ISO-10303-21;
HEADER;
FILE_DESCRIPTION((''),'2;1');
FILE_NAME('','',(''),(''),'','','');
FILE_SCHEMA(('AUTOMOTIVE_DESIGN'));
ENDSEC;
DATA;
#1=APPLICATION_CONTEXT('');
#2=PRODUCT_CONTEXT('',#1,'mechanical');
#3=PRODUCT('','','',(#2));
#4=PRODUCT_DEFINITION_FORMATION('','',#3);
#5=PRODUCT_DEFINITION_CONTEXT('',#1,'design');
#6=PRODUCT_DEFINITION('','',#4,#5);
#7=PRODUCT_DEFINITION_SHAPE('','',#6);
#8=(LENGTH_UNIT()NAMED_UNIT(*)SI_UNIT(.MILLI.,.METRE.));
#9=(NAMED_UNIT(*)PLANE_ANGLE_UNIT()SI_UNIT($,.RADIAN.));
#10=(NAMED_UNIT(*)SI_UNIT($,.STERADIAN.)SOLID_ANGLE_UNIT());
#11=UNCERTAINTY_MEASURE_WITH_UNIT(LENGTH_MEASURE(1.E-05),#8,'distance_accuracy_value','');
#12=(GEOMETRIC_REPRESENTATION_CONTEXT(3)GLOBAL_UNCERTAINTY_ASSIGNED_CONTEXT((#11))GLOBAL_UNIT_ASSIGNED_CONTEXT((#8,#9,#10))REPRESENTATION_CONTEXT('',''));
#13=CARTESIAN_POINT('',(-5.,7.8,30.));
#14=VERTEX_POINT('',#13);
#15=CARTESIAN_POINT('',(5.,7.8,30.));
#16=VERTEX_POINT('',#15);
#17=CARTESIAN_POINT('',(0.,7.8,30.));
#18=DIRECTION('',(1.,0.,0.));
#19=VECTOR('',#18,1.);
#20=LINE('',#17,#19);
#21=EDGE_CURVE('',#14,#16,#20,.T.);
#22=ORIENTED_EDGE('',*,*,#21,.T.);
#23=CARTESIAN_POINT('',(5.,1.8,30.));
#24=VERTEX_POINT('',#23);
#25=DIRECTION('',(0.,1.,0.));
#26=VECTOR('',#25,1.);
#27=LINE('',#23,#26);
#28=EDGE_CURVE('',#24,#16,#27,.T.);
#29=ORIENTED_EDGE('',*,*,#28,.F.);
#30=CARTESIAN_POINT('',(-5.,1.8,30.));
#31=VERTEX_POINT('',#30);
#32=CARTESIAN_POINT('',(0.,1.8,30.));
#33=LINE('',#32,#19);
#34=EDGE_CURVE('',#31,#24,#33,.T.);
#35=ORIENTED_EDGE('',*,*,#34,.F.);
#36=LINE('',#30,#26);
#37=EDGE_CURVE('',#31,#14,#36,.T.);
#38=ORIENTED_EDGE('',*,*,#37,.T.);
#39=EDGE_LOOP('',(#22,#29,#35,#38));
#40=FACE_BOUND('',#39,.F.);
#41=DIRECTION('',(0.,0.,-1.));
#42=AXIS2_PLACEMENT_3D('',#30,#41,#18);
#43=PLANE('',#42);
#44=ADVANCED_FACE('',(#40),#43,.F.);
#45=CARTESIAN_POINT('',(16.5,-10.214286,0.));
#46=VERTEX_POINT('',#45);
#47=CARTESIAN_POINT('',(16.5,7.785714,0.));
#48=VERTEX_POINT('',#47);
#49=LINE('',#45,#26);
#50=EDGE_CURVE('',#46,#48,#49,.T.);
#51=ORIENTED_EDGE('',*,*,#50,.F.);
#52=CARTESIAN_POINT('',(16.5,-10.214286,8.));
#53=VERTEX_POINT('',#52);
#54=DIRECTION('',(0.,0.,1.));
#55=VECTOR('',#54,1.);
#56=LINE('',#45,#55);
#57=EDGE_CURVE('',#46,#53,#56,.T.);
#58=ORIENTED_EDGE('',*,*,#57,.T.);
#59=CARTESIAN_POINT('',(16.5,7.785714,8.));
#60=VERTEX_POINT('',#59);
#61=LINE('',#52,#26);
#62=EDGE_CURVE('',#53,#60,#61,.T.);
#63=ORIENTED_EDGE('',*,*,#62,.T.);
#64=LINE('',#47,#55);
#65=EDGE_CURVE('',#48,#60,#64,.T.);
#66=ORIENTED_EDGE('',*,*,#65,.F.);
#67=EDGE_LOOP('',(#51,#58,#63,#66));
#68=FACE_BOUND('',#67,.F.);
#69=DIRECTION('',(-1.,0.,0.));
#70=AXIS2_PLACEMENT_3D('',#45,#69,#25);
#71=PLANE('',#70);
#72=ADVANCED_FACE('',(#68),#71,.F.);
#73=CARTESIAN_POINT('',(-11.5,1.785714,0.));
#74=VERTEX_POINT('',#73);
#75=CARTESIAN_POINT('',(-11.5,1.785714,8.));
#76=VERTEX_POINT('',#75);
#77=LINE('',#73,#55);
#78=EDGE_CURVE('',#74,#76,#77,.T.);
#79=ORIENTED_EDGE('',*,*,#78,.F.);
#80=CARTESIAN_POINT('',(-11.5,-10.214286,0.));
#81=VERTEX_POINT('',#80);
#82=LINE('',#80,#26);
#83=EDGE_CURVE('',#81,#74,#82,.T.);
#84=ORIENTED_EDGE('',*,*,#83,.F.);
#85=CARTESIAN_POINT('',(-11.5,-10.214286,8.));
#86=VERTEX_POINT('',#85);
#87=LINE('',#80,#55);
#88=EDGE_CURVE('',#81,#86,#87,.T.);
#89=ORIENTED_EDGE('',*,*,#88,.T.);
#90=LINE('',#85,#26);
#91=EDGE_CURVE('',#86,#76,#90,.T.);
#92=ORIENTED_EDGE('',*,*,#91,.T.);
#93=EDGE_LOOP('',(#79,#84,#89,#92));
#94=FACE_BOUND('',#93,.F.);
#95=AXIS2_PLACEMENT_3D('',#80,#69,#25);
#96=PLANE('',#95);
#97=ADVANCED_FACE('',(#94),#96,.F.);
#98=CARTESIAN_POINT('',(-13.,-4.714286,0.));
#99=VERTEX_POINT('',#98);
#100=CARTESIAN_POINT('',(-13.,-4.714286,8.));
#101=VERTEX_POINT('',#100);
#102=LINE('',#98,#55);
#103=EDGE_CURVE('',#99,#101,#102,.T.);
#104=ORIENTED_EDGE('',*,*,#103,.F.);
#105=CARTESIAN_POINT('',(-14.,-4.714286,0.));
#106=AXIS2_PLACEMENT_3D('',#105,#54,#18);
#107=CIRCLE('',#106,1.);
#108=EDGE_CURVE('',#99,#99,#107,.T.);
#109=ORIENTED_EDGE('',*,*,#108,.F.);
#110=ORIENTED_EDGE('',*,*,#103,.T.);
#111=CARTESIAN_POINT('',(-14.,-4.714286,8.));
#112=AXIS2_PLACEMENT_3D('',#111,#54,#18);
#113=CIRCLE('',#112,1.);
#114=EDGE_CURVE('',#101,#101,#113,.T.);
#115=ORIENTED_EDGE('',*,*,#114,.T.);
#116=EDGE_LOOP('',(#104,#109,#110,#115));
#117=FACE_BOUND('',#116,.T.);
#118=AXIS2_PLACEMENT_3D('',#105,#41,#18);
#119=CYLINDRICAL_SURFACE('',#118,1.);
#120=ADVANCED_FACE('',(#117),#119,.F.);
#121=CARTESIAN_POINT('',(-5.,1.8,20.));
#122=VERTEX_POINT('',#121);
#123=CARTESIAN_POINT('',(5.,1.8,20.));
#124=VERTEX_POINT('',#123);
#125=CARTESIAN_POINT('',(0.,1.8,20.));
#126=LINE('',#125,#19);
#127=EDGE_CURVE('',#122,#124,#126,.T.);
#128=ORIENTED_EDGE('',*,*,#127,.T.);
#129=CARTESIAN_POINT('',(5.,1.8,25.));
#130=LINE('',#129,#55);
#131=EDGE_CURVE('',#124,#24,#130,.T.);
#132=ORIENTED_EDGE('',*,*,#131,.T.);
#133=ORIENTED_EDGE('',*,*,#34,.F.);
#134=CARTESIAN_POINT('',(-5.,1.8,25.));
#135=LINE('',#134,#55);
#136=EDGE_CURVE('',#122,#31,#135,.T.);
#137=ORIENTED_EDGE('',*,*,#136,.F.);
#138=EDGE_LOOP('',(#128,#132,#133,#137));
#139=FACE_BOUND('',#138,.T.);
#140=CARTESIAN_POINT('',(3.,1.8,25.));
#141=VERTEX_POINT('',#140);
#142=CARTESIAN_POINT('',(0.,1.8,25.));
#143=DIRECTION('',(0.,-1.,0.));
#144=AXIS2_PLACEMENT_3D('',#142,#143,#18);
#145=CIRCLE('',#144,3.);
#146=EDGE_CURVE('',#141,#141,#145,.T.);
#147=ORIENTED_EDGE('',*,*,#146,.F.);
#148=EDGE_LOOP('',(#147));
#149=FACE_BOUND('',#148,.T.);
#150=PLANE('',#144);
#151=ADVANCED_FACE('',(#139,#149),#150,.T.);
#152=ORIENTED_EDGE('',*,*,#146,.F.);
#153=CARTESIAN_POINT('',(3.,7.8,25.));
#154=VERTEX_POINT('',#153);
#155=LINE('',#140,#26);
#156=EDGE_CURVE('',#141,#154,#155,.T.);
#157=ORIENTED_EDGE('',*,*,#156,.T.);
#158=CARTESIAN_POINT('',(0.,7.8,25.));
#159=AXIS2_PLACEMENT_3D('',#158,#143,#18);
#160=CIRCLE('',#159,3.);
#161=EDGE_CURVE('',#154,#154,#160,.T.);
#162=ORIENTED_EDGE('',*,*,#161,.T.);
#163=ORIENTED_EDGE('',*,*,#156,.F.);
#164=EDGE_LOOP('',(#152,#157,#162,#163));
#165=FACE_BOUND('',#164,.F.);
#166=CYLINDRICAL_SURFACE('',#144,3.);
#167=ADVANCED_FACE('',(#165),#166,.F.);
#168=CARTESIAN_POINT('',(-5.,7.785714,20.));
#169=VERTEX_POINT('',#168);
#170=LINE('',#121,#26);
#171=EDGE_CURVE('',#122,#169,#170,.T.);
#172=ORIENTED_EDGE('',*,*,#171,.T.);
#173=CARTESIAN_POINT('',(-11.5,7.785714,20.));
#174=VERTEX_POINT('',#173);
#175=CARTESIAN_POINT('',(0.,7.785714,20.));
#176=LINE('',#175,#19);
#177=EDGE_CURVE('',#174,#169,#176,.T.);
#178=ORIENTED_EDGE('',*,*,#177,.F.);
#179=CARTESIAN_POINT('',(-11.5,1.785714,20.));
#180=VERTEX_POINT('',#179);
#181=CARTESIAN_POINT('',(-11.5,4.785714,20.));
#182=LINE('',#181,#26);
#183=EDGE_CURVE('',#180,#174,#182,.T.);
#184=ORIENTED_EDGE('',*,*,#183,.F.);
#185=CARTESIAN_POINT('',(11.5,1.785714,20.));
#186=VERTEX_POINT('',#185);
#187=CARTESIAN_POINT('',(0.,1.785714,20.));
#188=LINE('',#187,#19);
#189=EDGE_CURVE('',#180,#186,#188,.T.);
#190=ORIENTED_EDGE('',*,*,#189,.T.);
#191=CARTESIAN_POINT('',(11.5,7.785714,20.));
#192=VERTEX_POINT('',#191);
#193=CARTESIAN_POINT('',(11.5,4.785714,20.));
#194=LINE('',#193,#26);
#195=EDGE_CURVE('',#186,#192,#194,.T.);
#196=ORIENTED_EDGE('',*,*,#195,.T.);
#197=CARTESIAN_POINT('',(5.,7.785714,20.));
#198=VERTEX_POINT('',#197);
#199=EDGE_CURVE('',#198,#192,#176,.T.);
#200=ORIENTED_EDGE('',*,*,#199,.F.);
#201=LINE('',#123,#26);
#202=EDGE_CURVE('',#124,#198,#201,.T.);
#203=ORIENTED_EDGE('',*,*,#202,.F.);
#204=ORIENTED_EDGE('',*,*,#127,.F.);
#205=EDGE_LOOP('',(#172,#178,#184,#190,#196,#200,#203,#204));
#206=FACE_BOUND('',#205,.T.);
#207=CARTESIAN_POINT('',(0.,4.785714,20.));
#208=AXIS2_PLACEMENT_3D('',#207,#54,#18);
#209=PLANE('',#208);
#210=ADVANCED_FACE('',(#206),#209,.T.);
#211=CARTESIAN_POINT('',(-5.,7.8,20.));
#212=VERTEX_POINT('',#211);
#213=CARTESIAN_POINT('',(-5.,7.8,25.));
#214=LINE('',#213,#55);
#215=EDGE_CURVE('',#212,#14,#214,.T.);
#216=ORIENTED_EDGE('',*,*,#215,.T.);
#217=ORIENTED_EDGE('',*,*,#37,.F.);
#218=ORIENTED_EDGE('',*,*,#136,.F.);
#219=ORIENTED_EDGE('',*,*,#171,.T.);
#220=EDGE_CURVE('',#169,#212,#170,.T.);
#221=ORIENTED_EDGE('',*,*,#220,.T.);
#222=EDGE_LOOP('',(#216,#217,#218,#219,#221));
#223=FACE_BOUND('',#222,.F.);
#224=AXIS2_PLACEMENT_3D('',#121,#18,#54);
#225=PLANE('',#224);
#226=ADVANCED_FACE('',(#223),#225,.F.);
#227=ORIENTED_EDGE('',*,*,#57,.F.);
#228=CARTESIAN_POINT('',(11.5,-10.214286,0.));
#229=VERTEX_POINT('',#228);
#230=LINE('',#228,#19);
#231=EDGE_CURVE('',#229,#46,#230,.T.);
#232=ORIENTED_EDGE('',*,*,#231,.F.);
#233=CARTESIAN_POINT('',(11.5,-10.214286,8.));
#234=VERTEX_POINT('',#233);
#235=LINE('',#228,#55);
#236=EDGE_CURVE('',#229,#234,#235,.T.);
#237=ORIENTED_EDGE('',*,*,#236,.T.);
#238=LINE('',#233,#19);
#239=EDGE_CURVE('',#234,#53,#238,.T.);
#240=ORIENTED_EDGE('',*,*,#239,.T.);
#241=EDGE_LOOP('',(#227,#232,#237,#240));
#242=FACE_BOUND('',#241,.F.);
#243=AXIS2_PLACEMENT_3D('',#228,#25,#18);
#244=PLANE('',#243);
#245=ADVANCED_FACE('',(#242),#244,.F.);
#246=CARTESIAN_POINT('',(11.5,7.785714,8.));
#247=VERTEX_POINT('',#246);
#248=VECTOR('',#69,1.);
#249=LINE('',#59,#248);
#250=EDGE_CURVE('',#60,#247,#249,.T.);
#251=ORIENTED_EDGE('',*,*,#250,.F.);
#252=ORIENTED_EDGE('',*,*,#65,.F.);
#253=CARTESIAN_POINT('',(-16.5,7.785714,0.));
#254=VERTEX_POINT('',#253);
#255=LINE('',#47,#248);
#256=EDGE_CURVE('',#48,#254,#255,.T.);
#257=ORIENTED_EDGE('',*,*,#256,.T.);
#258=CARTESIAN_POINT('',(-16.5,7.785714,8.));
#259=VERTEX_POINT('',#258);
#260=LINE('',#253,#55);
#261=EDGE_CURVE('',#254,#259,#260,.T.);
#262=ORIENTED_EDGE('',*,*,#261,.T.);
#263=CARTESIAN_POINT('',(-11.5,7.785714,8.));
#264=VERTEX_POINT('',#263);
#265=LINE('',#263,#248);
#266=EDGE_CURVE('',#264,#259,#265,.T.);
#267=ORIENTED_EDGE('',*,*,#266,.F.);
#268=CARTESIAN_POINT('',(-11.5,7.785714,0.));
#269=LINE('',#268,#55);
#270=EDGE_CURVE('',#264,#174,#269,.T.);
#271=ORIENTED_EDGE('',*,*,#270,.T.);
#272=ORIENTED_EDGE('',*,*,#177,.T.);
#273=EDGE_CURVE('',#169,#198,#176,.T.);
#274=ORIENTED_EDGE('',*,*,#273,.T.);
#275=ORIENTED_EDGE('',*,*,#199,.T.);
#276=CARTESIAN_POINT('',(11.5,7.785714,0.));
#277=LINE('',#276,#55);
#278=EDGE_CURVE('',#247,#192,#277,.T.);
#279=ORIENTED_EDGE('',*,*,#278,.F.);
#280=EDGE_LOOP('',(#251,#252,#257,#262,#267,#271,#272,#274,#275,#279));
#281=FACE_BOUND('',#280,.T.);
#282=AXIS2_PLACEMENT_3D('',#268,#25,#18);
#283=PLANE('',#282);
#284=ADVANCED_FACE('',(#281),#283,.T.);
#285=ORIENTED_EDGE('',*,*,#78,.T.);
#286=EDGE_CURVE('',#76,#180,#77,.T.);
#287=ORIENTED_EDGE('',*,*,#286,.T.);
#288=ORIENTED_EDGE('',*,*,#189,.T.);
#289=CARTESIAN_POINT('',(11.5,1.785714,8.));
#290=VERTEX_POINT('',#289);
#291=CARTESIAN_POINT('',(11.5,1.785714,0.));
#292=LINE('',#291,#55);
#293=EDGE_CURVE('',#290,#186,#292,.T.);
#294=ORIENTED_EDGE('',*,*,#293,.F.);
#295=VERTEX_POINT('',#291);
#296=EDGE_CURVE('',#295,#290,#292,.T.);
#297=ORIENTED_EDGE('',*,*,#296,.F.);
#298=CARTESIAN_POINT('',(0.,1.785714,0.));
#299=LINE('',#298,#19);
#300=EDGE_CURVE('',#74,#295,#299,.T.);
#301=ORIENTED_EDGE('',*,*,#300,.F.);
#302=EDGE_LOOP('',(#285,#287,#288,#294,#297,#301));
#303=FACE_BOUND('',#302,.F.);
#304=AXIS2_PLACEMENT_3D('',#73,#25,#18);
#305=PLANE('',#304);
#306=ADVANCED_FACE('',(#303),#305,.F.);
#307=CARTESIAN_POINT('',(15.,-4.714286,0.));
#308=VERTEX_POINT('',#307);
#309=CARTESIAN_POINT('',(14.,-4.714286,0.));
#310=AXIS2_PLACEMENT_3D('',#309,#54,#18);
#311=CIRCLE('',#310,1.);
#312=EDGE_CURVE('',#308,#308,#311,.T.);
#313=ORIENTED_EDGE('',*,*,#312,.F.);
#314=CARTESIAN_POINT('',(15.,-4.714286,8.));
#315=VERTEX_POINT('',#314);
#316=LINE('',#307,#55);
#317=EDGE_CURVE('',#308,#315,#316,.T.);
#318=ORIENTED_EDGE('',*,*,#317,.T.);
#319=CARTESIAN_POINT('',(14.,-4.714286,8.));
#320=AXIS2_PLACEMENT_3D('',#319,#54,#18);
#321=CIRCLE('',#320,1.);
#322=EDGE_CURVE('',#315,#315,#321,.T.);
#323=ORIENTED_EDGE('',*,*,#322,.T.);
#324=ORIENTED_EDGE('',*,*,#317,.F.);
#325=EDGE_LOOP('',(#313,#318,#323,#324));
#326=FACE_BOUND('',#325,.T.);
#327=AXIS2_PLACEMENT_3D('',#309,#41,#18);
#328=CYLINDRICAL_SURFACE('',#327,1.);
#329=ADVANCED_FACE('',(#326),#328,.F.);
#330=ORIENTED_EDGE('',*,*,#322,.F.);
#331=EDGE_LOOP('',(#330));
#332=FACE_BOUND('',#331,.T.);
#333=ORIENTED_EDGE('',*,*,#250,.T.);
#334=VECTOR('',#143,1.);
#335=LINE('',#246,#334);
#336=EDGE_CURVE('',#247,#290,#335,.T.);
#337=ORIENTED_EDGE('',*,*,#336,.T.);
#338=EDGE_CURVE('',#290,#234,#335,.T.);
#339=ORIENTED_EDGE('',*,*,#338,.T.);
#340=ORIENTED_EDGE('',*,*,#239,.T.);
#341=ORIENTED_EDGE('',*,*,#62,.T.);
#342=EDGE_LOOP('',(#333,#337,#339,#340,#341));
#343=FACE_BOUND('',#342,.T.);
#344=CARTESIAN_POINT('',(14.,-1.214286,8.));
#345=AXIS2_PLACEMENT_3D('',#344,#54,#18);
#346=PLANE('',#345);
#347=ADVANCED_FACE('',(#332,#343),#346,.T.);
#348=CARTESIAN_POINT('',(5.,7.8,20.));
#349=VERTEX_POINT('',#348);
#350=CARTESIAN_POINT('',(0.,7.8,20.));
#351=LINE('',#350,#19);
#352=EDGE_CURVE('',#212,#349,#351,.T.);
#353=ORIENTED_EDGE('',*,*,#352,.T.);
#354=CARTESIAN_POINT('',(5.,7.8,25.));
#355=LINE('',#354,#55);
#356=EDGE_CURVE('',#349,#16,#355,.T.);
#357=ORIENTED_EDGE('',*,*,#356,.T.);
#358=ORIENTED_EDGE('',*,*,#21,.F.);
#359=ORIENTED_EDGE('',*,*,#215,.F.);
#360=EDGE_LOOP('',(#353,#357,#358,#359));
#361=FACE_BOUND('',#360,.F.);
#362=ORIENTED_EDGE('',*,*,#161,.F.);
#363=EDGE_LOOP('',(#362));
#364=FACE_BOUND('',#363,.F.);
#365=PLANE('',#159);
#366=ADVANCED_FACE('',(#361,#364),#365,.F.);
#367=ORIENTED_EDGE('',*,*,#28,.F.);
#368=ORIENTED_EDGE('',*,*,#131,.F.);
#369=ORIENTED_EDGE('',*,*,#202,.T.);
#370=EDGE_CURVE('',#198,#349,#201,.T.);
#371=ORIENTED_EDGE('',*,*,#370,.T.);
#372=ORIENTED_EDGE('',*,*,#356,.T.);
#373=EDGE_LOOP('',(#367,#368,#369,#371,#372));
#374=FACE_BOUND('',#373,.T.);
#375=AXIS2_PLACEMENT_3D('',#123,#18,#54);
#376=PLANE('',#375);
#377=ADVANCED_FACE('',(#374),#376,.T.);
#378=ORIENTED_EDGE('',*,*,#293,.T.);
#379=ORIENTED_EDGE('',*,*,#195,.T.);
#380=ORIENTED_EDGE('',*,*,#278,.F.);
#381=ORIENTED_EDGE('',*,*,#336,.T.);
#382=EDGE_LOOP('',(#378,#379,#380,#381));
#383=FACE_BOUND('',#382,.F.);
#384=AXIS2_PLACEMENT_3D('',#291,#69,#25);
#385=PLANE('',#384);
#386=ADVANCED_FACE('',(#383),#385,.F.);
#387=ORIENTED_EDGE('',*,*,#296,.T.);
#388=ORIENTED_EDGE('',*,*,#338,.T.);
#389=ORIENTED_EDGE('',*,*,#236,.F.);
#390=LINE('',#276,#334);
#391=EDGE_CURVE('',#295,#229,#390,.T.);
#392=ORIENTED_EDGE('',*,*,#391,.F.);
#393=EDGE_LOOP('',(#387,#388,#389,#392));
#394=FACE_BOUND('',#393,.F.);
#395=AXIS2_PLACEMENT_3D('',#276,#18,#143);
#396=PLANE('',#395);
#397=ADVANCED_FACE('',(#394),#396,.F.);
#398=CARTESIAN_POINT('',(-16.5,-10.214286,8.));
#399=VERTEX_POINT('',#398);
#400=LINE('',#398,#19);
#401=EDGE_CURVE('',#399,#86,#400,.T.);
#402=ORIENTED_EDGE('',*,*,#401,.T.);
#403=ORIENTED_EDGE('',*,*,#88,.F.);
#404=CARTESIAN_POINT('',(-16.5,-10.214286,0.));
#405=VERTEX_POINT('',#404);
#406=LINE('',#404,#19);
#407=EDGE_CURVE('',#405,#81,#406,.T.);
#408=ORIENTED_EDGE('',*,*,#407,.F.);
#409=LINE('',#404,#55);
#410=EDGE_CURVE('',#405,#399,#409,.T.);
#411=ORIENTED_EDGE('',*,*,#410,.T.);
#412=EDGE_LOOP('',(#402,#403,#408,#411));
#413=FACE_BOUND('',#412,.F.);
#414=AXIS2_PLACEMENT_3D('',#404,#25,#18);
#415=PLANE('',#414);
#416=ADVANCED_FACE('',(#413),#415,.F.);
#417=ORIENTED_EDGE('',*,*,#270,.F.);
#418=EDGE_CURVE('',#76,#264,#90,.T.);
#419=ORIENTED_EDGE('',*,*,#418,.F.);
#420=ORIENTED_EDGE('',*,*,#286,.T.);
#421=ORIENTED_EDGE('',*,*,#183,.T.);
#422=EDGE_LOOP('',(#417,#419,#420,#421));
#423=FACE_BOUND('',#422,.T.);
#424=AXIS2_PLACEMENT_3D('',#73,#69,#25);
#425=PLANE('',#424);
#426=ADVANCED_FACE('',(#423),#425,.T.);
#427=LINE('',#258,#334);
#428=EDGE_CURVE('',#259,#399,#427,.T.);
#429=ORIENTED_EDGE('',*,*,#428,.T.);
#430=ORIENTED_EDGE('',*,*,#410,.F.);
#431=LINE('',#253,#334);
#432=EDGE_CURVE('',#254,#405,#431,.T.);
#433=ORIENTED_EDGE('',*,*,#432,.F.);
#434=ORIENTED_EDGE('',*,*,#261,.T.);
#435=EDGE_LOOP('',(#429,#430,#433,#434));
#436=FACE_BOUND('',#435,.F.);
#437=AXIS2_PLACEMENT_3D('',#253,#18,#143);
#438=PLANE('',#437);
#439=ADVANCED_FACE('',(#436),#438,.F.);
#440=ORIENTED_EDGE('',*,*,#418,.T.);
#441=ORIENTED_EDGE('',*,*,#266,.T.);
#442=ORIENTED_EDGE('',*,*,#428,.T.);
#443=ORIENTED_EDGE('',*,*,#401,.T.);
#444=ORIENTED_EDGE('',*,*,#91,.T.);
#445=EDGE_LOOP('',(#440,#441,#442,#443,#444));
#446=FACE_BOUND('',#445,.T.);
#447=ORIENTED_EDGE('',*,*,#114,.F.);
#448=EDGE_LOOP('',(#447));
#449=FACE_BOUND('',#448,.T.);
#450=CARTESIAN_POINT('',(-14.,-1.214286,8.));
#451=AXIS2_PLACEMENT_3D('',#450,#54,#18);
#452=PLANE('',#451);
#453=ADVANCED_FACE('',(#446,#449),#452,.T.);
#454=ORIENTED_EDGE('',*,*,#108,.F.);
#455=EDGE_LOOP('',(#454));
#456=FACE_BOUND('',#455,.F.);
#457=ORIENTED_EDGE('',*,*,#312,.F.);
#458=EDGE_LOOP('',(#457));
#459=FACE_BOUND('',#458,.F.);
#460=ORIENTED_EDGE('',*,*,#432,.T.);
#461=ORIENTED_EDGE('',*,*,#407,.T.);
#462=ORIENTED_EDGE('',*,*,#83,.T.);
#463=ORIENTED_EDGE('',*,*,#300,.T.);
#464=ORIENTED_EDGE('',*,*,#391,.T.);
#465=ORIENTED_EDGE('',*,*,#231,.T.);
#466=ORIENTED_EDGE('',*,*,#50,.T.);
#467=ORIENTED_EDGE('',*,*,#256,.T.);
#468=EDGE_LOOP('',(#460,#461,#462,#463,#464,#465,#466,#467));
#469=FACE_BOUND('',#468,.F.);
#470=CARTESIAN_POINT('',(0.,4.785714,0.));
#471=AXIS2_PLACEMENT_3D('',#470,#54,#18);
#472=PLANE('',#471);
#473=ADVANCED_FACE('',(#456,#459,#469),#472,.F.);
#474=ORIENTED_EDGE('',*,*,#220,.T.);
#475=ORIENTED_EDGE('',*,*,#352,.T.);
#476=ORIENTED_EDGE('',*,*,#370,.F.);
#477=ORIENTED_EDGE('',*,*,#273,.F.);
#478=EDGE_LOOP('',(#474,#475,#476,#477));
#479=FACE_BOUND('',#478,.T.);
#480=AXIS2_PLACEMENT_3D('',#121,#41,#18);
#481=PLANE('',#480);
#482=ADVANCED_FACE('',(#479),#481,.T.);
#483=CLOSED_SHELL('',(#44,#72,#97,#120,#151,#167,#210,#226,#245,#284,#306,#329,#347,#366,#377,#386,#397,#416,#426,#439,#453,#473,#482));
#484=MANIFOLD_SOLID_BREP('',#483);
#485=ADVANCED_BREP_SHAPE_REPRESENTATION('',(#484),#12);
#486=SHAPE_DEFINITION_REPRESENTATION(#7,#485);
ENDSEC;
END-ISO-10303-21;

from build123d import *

# Parameters (mm, degrees)
F0_R     = 1
F1_DEPTH = 8
F0_W     = 23
F0_H     = 6
F2_DEPTH = 20
F4_START = -1.8
F3_W     = 10
F3_H     = 10
F3_R     = 3
F4_DEPTH = 6


with BuildPart() as f1:
    # F0 (on Top) → F1 (new body)
    with BuildSketch(Plane.XY):
        Polygon((-11.5, 1.7857142857), (-11.5, 7.7857142857), (-16.5, 7.7857142857), (-16.5, -10.2142857143), (-11.5, -10.2142857143), align=None)
        with Locations((-14, -4.7142857143)):
            Circle(F0_R, mode=Mode.SUBTRACT)
    extrude(amount=F1_DEPTH)



with BuildPart() as f1b:
    # F0 (on Top) → F1, piece 2 (new body)
    with BuildSketch(Plane.XY):
        Polygon((16.5, 7.7857142857), (11.5, 7.7857142857), (11.5, 1.7857142857), (11.5, -10.2142857143), (16.5, -10.2142857143), align=None)
        with Locations((14, -4.7142857143)):
            Circle(F0_R, mode=Mode.SUBTRACT)
    extrude(amount=F1_DEPTH)


with BuildPart() as f1_1:
    add(f1.part)

    add(f1b.part)  # F2 merges F1b
    # F0 (on Top) → F2 (join)
    with BuildSketch(Plane.XY):
        with Locations((0, 4.7857142857)):
            Rectangle(F0_W, F0_H)
    extrude(amount=F2_DEPTH)

    # F3 (on Front) → F4 (join)
    with BuildSketch(Plane.XZ.offset(F4_START)):
        with Locations((0, 25)):
            Rectangle(F3_W, F3_H)
        with Locations((0, 25)):
            Circle(F3_R, mode=Mode.SUBTRACT)
    extrude(amount=-F4_DEPTH)


solid = f1_1.part
